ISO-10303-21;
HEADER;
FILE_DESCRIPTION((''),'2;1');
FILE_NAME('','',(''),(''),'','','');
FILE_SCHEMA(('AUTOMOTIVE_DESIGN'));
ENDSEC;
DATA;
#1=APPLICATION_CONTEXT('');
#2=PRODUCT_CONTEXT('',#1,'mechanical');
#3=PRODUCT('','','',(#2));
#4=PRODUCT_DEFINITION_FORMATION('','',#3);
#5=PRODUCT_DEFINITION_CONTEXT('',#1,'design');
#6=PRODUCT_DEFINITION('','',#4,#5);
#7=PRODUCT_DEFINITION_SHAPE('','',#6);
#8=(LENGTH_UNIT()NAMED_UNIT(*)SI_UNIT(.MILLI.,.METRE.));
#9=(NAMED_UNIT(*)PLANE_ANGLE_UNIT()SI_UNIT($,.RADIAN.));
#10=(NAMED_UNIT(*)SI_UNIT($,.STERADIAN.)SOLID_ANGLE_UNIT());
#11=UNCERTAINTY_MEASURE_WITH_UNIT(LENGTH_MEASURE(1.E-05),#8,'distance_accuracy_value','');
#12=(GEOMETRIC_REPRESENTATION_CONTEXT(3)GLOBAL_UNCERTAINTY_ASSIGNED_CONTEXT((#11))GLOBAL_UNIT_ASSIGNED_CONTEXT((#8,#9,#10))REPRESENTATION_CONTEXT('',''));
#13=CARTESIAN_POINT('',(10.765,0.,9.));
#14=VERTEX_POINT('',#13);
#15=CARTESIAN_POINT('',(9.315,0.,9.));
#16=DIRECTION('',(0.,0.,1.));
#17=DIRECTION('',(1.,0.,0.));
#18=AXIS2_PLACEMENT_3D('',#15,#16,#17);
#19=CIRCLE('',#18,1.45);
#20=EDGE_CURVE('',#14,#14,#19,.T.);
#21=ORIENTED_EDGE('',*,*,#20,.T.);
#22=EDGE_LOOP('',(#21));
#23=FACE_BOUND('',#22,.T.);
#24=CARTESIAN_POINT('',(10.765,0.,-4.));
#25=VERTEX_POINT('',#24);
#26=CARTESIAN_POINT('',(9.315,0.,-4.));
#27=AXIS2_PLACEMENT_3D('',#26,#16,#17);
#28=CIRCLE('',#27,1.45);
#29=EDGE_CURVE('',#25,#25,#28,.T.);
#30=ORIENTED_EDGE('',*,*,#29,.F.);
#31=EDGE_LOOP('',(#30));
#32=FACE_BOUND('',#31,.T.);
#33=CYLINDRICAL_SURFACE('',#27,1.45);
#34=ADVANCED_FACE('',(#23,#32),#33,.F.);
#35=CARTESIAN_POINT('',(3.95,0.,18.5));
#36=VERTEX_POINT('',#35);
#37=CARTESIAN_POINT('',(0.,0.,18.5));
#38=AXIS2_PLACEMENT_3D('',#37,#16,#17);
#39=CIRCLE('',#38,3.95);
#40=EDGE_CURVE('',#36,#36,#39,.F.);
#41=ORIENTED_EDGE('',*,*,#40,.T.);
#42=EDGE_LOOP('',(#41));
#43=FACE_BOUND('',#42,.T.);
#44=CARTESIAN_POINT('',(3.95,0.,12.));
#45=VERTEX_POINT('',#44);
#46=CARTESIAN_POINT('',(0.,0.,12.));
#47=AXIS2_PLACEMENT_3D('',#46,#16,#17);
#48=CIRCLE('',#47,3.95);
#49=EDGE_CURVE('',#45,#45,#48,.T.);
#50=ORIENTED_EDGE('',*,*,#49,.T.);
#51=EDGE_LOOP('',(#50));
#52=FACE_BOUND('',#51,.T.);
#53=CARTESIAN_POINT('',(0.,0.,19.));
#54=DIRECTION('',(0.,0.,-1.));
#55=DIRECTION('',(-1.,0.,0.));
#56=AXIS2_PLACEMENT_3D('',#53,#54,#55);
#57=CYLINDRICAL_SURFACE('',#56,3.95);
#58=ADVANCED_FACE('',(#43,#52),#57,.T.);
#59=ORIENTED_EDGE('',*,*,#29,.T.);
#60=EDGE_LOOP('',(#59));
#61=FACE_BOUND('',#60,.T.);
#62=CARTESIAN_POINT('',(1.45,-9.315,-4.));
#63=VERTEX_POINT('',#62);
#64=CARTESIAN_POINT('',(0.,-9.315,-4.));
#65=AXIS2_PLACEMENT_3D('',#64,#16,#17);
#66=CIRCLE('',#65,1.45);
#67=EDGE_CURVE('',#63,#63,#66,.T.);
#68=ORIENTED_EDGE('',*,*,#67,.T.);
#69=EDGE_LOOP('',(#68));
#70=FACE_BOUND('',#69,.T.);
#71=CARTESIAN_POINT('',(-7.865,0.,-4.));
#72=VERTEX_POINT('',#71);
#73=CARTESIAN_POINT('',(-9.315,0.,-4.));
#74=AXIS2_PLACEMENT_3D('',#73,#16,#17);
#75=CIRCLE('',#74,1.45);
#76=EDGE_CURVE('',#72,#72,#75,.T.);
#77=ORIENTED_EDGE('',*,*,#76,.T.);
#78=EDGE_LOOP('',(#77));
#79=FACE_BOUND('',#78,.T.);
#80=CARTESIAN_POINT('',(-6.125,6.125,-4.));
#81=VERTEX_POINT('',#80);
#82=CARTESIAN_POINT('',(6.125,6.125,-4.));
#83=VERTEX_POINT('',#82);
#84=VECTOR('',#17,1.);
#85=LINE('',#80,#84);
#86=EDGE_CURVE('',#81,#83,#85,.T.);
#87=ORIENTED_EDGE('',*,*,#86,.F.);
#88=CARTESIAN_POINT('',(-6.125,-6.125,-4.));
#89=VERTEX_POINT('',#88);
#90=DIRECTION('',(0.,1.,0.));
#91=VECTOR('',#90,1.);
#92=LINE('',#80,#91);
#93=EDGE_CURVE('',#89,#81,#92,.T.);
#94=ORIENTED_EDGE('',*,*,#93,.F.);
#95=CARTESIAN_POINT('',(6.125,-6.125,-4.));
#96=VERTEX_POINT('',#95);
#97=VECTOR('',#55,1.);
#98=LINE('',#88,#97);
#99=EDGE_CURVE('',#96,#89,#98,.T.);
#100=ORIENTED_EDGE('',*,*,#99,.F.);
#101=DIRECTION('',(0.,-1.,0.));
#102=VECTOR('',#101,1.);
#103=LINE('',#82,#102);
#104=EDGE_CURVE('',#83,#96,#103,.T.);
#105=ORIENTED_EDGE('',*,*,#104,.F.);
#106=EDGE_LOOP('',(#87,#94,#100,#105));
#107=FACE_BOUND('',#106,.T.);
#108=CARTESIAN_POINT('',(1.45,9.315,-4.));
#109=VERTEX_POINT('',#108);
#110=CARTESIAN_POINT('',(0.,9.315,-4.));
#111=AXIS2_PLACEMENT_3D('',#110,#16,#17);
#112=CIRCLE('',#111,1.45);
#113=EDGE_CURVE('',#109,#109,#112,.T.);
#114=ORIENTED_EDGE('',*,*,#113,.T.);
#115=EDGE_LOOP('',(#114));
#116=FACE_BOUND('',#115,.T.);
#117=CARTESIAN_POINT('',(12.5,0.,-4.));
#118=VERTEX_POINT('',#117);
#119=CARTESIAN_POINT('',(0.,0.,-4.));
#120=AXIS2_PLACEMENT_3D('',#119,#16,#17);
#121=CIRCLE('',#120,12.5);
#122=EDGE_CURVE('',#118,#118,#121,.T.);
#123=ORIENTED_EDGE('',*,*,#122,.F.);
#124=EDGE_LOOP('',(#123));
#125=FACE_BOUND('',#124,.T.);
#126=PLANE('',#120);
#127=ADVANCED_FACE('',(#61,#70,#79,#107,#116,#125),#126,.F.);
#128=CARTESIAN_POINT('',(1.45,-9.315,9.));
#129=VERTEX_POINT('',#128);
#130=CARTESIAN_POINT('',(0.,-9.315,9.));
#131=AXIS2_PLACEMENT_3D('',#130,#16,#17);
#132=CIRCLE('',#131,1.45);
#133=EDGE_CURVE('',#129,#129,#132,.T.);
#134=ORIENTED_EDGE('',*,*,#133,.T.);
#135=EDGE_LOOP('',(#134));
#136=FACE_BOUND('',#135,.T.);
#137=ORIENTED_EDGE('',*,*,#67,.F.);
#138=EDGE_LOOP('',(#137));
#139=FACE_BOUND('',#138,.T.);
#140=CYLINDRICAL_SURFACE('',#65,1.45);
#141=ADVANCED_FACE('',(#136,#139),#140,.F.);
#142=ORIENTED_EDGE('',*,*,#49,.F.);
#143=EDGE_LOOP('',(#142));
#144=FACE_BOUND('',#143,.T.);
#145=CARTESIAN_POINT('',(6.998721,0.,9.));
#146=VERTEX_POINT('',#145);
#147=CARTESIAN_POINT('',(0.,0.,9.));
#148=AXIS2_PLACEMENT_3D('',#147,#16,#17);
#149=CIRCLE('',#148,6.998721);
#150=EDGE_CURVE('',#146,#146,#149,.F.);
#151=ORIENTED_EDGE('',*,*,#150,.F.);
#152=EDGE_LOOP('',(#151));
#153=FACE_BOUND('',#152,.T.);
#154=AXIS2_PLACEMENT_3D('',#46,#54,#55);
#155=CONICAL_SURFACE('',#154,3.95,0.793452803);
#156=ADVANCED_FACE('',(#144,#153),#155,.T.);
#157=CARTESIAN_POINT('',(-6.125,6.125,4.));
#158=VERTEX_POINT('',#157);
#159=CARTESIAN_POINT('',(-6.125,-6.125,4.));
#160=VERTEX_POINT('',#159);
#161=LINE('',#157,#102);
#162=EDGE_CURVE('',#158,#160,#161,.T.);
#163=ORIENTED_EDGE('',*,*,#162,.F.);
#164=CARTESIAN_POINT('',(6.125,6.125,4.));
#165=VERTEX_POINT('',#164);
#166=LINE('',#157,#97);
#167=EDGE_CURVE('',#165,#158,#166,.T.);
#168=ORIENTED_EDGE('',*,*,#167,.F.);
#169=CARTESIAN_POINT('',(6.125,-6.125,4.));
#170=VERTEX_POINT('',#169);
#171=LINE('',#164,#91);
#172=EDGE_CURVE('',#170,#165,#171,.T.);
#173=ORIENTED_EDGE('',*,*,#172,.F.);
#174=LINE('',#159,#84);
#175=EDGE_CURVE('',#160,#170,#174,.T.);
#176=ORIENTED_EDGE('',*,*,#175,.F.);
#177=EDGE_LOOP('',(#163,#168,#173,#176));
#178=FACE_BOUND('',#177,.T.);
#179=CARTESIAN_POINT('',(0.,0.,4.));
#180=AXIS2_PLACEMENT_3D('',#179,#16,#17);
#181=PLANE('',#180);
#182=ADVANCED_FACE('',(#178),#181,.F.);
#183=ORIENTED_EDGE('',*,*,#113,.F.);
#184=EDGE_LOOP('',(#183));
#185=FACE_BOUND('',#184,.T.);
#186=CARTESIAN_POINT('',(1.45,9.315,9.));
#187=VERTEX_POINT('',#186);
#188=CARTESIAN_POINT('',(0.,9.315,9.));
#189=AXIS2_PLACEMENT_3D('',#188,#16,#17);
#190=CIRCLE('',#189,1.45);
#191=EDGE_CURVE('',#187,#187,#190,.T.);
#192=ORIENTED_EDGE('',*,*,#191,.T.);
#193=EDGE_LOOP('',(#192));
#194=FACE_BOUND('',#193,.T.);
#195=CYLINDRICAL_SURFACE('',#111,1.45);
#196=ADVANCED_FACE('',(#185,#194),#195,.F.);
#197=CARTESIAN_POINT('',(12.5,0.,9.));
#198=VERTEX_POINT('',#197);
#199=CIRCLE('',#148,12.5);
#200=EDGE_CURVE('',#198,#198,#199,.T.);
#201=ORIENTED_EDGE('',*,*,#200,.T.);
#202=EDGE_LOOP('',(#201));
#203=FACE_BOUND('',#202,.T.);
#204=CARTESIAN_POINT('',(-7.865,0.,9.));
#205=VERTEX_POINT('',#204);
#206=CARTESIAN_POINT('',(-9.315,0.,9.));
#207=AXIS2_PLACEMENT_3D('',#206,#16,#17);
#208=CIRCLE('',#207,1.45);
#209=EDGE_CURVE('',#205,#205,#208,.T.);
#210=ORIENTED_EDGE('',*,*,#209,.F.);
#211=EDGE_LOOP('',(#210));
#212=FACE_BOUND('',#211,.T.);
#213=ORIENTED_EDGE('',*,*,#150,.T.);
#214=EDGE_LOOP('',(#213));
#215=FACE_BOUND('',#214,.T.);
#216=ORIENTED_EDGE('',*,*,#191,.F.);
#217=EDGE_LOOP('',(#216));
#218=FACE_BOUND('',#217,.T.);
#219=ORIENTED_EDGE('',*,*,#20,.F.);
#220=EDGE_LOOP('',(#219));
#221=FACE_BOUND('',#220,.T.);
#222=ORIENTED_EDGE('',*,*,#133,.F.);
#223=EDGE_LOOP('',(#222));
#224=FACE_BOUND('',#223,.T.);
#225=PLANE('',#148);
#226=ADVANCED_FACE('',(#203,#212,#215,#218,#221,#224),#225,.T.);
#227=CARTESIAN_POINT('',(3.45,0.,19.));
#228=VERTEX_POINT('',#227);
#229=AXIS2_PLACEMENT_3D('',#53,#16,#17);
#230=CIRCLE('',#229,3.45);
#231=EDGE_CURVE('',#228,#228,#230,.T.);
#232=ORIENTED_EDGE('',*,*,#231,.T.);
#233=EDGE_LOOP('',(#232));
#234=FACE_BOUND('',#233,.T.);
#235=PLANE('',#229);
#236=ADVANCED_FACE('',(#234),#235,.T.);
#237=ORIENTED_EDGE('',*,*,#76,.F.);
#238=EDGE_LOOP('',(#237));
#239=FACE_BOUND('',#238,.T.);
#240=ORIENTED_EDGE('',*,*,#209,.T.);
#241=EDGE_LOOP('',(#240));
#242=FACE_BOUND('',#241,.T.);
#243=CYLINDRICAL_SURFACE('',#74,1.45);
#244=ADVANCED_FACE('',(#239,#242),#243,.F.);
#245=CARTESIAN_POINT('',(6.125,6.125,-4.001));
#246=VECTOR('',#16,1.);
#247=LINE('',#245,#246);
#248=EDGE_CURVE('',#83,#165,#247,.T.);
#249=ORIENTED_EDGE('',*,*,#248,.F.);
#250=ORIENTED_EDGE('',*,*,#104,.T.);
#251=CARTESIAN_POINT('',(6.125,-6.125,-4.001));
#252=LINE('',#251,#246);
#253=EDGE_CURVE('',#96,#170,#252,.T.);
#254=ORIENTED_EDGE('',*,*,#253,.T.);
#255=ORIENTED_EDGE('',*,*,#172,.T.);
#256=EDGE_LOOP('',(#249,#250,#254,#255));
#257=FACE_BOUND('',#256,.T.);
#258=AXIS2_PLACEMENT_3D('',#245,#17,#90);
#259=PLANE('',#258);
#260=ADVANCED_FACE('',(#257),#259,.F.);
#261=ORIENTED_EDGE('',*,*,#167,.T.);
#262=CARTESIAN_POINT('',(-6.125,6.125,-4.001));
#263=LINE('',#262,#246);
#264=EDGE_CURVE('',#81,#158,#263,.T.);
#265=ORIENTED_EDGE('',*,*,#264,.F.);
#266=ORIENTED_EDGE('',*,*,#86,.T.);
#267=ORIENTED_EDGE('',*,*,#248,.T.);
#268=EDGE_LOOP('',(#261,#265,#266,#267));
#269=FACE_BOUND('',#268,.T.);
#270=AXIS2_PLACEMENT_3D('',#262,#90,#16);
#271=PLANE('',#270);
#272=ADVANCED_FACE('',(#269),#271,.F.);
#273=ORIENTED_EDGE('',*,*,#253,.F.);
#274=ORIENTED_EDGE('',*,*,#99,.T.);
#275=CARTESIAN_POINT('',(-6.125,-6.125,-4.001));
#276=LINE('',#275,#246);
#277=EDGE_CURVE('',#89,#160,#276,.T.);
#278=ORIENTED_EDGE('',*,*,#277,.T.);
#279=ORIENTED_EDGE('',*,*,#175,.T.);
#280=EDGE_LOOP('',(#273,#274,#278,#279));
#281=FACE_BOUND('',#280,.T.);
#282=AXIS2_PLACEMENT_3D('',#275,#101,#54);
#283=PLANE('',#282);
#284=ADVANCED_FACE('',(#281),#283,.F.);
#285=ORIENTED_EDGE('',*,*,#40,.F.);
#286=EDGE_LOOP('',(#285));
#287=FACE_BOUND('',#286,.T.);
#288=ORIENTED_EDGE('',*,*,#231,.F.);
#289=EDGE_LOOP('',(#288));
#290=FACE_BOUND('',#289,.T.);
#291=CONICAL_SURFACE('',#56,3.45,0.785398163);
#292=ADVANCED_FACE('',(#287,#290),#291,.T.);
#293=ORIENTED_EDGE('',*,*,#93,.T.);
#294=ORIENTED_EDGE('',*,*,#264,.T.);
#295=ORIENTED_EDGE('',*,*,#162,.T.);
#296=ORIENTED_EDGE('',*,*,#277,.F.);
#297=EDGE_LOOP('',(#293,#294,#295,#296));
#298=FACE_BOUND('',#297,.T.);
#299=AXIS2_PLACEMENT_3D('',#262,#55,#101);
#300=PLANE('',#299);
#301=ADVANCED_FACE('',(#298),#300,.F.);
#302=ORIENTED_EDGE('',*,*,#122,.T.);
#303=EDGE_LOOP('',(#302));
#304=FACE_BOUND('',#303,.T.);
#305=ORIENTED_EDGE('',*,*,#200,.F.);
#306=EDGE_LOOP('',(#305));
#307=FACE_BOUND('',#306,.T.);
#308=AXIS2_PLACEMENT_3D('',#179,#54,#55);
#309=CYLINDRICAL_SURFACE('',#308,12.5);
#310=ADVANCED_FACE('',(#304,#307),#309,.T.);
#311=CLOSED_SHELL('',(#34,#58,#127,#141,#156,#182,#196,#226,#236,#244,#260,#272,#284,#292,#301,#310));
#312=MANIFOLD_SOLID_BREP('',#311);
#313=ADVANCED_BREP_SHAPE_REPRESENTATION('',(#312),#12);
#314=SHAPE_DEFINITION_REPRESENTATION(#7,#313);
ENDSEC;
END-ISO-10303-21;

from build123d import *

# Parameters (mm, degrees)
SKETCH1_R           = 12.5
BOSS_EXTRUDE1_DEPTH = 4
CUT_EXTRUDE1_REACH  = 21.404
SKETCH8_W           = 12.25
SKETCH8_H           = 12.25
SKETCH11_R          = 1.45
CUT_EXTRUDE4_DEPTH  = 20.403607912
BOSS_EXTRUDE2_START = 5
SKETCH14_R          = 12.5
BOSS_EXTRUDE2_DEPTH = 5
SKETCH15_R          = 3.95
BOSS_EXTRUDE3_DEPTH = 7
CHAMFER1_SIZE       = 0.5
SKETCH18_R          = 1.45
CUT_EXTRUDE6_DEPTH  = 30


with BuildPart() as part:
    # Sketch1 → Boss-Extrude1 (new, symmetric)
    with BuildSketch(Plane.XY):
        Circle(SKETCH1_R)
    extrude(amount=BOSS_EXTRUDE1_DEPTH, both=True)

    # Sketch8 → Cut-Extrude1 (cut, up to next)
    with BuildSketch(Plane.XY.offset(4), mode=Mode.PRIVATE) as cut_extrude1_sk1:
        Rectangle(SKETCH8_W, SKETCH8_H)
    cut_extrude1_tool1 = extrude(cut_extrude1_sk1.sketch, amount=-CUT_EXTRUDE1_REACH, mode=Mode.PRIVATE) & part.part
    add(cut_extrude1_tool1.solids().sort_by_distance((0, 0, 4))[0], mode=Mode.SUBTRACT)

    # Sketch11 → Cut-Extrude4 (cut, through all)
    with BuildSketch(Plane.XY.offset(4)):
        with Locations((9.315, 0)):
            Circle(SKETCH11_R)
        with Locations((0, -9.315)):
            Circle(SKETCH11_R)
        with Locations((-9.315, 0)):
            Circle(SKETCH11_R)
        with Locations((0, 9.315)):
            Circle(SKETCH11_R)
    extrude(amount=-CUT_EXTRUDE4_DEPTH, mode=Mode.SUBTRACT)

    # Sketch14 → Boss-Extrude2 (add)
    with BuildSketch(Plane.XY.offset(4).offset(BOSS_EXTRUDE2_START)):
        Circle(SKETCH14_R)
    extrude(amount=-BOSS_EXTRUDE2_DEPTH)

    # Sketch13 → Revolve1 (revolve)
    with BuildSketch(Plane(origin=(0, 0, 0), x_dir=(1, 0, 0), z_dir=(0, 1, 0)), mode=Mode.PRIVATE) as revolve1_sk:
        Polygon((0, -12), (3.95, -12), (7.5, -8.506732209), (0, -8.506732209), align=None)
    revolve(revolve1_sk.sketch.rotate(Axis((0, 0, 11.965062333), (0, 0, 1)), 180), axis=Axis((0, 0, 11.965062333), (0, 0, 1)))

    # Sketch15 → Boss-Extrude3 (add)
    with BuildSketch(Plane.XY.offset(12)):
        Circle(SKETCH15_R)
    extrude(amount=BOSS_EXTRUDE3_DEPTH)

    # Chamfer1
    chamfer1_edges = [part.edges().sort_by_distance(p)[0] for p in [
        (-3.95, 0, 19),
    ]]
    chamfer(chamfer1_edges, length=CHAMFER1_SIZE)

    # Sketch18 → Cut-Extrude6 (cut)
    with BuildSketch(Plane.XY.offset(9)):
        with Locations((-9.315, 0)):
            Circle(SKETCH18_R)
        with Locations((0, -9.315)):
            Circle(SKETCH18_R)
        with Locations((9.315, 0)):
            Circle(SKETCH18_R)
        with Locations((0, 9.315)):
            Circle(SKETCH18_R)
    extrude(amount=-CUT_EXTRUDE6_DEPTH, mode=Mode.SUBTRACT)


solid = part.part
